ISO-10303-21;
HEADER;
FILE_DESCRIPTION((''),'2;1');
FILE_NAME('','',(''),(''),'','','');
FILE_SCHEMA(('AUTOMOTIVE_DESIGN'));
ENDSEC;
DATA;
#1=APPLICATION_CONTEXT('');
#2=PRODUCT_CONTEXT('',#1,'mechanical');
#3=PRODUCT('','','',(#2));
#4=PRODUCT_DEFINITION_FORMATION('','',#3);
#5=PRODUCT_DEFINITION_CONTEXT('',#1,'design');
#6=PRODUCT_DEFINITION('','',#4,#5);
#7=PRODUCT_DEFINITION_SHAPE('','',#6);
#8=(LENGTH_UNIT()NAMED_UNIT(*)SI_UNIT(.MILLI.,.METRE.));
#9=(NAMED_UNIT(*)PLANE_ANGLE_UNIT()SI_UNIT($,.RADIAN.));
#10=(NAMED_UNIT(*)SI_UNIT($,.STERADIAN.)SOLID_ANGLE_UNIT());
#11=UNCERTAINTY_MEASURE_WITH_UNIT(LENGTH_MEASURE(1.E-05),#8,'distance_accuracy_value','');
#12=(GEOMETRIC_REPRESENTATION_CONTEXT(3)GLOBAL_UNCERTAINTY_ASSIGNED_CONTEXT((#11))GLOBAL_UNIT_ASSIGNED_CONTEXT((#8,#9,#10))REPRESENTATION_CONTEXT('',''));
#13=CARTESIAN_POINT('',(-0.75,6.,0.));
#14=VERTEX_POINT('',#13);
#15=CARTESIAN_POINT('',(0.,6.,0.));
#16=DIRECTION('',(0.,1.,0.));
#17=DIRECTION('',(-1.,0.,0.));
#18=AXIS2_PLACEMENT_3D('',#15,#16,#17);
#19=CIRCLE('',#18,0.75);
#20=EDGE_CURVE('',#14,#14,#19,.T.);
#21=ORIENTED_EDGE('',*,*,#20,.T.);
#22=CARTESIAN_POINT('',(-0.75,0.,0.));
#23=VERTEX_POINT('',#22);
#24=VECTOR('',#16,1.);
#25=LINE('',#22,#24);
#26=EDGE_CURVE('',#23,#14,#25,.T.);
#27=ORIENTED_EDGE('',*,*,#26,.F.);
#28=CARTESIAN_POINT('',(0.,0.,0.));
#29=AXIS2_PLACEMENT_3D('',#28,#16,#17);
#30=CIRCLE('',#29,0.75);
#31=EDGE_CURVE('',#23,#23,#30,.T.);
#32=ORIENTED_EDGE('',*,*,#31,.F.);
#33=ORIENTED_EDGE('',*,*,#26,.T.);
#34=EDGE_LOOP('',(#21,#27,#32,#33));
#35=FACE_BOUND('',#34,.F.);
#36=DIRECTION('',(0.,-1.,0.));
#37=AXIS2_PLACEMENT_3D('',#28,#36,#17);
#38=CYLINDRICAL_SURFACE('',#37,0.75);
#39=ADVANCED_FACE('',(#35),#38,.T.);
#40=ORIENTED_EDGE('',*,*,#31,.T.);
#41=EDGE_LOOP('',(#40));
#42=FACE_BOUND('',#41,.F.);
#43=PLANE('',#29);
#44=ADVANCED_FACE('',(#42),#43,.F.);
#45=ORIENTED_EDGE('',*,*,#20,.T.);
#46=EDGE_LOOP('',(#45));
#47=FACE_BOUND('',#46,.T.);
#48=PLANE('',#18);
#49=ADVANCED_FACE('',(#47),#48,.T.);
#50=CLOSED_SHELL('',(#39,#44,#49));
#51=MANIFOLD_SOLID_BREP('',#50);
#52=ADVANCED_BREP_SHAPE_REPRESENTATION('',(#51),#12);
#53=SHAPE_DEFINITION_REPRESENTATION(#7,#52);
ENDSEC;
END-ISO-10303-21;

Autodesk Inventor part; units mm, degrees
ref_plane "YZ Plane" through (0, 0, 0) normal (1, 0, 0) x (0, 1, 0)
ref_plane "XZ Plane" through (0, 0, 0) normal (0, 1, 0) x (-1, 0, 0)
ref_plane "XY Plane" through (0, 0, 0) normal (0, 0, 1) x (1, 0, 0)
sketch "草圖1" plane through (0, 0, 0) normal (0, 1, 0) x (-1, 0, 0)
  circle A0 centre (0, 0) radius 0.75
  dimension "d0" = 1.5
extrude "擠出1" add sketch "草圖1" along normal blind 6
properties part number "pin"
